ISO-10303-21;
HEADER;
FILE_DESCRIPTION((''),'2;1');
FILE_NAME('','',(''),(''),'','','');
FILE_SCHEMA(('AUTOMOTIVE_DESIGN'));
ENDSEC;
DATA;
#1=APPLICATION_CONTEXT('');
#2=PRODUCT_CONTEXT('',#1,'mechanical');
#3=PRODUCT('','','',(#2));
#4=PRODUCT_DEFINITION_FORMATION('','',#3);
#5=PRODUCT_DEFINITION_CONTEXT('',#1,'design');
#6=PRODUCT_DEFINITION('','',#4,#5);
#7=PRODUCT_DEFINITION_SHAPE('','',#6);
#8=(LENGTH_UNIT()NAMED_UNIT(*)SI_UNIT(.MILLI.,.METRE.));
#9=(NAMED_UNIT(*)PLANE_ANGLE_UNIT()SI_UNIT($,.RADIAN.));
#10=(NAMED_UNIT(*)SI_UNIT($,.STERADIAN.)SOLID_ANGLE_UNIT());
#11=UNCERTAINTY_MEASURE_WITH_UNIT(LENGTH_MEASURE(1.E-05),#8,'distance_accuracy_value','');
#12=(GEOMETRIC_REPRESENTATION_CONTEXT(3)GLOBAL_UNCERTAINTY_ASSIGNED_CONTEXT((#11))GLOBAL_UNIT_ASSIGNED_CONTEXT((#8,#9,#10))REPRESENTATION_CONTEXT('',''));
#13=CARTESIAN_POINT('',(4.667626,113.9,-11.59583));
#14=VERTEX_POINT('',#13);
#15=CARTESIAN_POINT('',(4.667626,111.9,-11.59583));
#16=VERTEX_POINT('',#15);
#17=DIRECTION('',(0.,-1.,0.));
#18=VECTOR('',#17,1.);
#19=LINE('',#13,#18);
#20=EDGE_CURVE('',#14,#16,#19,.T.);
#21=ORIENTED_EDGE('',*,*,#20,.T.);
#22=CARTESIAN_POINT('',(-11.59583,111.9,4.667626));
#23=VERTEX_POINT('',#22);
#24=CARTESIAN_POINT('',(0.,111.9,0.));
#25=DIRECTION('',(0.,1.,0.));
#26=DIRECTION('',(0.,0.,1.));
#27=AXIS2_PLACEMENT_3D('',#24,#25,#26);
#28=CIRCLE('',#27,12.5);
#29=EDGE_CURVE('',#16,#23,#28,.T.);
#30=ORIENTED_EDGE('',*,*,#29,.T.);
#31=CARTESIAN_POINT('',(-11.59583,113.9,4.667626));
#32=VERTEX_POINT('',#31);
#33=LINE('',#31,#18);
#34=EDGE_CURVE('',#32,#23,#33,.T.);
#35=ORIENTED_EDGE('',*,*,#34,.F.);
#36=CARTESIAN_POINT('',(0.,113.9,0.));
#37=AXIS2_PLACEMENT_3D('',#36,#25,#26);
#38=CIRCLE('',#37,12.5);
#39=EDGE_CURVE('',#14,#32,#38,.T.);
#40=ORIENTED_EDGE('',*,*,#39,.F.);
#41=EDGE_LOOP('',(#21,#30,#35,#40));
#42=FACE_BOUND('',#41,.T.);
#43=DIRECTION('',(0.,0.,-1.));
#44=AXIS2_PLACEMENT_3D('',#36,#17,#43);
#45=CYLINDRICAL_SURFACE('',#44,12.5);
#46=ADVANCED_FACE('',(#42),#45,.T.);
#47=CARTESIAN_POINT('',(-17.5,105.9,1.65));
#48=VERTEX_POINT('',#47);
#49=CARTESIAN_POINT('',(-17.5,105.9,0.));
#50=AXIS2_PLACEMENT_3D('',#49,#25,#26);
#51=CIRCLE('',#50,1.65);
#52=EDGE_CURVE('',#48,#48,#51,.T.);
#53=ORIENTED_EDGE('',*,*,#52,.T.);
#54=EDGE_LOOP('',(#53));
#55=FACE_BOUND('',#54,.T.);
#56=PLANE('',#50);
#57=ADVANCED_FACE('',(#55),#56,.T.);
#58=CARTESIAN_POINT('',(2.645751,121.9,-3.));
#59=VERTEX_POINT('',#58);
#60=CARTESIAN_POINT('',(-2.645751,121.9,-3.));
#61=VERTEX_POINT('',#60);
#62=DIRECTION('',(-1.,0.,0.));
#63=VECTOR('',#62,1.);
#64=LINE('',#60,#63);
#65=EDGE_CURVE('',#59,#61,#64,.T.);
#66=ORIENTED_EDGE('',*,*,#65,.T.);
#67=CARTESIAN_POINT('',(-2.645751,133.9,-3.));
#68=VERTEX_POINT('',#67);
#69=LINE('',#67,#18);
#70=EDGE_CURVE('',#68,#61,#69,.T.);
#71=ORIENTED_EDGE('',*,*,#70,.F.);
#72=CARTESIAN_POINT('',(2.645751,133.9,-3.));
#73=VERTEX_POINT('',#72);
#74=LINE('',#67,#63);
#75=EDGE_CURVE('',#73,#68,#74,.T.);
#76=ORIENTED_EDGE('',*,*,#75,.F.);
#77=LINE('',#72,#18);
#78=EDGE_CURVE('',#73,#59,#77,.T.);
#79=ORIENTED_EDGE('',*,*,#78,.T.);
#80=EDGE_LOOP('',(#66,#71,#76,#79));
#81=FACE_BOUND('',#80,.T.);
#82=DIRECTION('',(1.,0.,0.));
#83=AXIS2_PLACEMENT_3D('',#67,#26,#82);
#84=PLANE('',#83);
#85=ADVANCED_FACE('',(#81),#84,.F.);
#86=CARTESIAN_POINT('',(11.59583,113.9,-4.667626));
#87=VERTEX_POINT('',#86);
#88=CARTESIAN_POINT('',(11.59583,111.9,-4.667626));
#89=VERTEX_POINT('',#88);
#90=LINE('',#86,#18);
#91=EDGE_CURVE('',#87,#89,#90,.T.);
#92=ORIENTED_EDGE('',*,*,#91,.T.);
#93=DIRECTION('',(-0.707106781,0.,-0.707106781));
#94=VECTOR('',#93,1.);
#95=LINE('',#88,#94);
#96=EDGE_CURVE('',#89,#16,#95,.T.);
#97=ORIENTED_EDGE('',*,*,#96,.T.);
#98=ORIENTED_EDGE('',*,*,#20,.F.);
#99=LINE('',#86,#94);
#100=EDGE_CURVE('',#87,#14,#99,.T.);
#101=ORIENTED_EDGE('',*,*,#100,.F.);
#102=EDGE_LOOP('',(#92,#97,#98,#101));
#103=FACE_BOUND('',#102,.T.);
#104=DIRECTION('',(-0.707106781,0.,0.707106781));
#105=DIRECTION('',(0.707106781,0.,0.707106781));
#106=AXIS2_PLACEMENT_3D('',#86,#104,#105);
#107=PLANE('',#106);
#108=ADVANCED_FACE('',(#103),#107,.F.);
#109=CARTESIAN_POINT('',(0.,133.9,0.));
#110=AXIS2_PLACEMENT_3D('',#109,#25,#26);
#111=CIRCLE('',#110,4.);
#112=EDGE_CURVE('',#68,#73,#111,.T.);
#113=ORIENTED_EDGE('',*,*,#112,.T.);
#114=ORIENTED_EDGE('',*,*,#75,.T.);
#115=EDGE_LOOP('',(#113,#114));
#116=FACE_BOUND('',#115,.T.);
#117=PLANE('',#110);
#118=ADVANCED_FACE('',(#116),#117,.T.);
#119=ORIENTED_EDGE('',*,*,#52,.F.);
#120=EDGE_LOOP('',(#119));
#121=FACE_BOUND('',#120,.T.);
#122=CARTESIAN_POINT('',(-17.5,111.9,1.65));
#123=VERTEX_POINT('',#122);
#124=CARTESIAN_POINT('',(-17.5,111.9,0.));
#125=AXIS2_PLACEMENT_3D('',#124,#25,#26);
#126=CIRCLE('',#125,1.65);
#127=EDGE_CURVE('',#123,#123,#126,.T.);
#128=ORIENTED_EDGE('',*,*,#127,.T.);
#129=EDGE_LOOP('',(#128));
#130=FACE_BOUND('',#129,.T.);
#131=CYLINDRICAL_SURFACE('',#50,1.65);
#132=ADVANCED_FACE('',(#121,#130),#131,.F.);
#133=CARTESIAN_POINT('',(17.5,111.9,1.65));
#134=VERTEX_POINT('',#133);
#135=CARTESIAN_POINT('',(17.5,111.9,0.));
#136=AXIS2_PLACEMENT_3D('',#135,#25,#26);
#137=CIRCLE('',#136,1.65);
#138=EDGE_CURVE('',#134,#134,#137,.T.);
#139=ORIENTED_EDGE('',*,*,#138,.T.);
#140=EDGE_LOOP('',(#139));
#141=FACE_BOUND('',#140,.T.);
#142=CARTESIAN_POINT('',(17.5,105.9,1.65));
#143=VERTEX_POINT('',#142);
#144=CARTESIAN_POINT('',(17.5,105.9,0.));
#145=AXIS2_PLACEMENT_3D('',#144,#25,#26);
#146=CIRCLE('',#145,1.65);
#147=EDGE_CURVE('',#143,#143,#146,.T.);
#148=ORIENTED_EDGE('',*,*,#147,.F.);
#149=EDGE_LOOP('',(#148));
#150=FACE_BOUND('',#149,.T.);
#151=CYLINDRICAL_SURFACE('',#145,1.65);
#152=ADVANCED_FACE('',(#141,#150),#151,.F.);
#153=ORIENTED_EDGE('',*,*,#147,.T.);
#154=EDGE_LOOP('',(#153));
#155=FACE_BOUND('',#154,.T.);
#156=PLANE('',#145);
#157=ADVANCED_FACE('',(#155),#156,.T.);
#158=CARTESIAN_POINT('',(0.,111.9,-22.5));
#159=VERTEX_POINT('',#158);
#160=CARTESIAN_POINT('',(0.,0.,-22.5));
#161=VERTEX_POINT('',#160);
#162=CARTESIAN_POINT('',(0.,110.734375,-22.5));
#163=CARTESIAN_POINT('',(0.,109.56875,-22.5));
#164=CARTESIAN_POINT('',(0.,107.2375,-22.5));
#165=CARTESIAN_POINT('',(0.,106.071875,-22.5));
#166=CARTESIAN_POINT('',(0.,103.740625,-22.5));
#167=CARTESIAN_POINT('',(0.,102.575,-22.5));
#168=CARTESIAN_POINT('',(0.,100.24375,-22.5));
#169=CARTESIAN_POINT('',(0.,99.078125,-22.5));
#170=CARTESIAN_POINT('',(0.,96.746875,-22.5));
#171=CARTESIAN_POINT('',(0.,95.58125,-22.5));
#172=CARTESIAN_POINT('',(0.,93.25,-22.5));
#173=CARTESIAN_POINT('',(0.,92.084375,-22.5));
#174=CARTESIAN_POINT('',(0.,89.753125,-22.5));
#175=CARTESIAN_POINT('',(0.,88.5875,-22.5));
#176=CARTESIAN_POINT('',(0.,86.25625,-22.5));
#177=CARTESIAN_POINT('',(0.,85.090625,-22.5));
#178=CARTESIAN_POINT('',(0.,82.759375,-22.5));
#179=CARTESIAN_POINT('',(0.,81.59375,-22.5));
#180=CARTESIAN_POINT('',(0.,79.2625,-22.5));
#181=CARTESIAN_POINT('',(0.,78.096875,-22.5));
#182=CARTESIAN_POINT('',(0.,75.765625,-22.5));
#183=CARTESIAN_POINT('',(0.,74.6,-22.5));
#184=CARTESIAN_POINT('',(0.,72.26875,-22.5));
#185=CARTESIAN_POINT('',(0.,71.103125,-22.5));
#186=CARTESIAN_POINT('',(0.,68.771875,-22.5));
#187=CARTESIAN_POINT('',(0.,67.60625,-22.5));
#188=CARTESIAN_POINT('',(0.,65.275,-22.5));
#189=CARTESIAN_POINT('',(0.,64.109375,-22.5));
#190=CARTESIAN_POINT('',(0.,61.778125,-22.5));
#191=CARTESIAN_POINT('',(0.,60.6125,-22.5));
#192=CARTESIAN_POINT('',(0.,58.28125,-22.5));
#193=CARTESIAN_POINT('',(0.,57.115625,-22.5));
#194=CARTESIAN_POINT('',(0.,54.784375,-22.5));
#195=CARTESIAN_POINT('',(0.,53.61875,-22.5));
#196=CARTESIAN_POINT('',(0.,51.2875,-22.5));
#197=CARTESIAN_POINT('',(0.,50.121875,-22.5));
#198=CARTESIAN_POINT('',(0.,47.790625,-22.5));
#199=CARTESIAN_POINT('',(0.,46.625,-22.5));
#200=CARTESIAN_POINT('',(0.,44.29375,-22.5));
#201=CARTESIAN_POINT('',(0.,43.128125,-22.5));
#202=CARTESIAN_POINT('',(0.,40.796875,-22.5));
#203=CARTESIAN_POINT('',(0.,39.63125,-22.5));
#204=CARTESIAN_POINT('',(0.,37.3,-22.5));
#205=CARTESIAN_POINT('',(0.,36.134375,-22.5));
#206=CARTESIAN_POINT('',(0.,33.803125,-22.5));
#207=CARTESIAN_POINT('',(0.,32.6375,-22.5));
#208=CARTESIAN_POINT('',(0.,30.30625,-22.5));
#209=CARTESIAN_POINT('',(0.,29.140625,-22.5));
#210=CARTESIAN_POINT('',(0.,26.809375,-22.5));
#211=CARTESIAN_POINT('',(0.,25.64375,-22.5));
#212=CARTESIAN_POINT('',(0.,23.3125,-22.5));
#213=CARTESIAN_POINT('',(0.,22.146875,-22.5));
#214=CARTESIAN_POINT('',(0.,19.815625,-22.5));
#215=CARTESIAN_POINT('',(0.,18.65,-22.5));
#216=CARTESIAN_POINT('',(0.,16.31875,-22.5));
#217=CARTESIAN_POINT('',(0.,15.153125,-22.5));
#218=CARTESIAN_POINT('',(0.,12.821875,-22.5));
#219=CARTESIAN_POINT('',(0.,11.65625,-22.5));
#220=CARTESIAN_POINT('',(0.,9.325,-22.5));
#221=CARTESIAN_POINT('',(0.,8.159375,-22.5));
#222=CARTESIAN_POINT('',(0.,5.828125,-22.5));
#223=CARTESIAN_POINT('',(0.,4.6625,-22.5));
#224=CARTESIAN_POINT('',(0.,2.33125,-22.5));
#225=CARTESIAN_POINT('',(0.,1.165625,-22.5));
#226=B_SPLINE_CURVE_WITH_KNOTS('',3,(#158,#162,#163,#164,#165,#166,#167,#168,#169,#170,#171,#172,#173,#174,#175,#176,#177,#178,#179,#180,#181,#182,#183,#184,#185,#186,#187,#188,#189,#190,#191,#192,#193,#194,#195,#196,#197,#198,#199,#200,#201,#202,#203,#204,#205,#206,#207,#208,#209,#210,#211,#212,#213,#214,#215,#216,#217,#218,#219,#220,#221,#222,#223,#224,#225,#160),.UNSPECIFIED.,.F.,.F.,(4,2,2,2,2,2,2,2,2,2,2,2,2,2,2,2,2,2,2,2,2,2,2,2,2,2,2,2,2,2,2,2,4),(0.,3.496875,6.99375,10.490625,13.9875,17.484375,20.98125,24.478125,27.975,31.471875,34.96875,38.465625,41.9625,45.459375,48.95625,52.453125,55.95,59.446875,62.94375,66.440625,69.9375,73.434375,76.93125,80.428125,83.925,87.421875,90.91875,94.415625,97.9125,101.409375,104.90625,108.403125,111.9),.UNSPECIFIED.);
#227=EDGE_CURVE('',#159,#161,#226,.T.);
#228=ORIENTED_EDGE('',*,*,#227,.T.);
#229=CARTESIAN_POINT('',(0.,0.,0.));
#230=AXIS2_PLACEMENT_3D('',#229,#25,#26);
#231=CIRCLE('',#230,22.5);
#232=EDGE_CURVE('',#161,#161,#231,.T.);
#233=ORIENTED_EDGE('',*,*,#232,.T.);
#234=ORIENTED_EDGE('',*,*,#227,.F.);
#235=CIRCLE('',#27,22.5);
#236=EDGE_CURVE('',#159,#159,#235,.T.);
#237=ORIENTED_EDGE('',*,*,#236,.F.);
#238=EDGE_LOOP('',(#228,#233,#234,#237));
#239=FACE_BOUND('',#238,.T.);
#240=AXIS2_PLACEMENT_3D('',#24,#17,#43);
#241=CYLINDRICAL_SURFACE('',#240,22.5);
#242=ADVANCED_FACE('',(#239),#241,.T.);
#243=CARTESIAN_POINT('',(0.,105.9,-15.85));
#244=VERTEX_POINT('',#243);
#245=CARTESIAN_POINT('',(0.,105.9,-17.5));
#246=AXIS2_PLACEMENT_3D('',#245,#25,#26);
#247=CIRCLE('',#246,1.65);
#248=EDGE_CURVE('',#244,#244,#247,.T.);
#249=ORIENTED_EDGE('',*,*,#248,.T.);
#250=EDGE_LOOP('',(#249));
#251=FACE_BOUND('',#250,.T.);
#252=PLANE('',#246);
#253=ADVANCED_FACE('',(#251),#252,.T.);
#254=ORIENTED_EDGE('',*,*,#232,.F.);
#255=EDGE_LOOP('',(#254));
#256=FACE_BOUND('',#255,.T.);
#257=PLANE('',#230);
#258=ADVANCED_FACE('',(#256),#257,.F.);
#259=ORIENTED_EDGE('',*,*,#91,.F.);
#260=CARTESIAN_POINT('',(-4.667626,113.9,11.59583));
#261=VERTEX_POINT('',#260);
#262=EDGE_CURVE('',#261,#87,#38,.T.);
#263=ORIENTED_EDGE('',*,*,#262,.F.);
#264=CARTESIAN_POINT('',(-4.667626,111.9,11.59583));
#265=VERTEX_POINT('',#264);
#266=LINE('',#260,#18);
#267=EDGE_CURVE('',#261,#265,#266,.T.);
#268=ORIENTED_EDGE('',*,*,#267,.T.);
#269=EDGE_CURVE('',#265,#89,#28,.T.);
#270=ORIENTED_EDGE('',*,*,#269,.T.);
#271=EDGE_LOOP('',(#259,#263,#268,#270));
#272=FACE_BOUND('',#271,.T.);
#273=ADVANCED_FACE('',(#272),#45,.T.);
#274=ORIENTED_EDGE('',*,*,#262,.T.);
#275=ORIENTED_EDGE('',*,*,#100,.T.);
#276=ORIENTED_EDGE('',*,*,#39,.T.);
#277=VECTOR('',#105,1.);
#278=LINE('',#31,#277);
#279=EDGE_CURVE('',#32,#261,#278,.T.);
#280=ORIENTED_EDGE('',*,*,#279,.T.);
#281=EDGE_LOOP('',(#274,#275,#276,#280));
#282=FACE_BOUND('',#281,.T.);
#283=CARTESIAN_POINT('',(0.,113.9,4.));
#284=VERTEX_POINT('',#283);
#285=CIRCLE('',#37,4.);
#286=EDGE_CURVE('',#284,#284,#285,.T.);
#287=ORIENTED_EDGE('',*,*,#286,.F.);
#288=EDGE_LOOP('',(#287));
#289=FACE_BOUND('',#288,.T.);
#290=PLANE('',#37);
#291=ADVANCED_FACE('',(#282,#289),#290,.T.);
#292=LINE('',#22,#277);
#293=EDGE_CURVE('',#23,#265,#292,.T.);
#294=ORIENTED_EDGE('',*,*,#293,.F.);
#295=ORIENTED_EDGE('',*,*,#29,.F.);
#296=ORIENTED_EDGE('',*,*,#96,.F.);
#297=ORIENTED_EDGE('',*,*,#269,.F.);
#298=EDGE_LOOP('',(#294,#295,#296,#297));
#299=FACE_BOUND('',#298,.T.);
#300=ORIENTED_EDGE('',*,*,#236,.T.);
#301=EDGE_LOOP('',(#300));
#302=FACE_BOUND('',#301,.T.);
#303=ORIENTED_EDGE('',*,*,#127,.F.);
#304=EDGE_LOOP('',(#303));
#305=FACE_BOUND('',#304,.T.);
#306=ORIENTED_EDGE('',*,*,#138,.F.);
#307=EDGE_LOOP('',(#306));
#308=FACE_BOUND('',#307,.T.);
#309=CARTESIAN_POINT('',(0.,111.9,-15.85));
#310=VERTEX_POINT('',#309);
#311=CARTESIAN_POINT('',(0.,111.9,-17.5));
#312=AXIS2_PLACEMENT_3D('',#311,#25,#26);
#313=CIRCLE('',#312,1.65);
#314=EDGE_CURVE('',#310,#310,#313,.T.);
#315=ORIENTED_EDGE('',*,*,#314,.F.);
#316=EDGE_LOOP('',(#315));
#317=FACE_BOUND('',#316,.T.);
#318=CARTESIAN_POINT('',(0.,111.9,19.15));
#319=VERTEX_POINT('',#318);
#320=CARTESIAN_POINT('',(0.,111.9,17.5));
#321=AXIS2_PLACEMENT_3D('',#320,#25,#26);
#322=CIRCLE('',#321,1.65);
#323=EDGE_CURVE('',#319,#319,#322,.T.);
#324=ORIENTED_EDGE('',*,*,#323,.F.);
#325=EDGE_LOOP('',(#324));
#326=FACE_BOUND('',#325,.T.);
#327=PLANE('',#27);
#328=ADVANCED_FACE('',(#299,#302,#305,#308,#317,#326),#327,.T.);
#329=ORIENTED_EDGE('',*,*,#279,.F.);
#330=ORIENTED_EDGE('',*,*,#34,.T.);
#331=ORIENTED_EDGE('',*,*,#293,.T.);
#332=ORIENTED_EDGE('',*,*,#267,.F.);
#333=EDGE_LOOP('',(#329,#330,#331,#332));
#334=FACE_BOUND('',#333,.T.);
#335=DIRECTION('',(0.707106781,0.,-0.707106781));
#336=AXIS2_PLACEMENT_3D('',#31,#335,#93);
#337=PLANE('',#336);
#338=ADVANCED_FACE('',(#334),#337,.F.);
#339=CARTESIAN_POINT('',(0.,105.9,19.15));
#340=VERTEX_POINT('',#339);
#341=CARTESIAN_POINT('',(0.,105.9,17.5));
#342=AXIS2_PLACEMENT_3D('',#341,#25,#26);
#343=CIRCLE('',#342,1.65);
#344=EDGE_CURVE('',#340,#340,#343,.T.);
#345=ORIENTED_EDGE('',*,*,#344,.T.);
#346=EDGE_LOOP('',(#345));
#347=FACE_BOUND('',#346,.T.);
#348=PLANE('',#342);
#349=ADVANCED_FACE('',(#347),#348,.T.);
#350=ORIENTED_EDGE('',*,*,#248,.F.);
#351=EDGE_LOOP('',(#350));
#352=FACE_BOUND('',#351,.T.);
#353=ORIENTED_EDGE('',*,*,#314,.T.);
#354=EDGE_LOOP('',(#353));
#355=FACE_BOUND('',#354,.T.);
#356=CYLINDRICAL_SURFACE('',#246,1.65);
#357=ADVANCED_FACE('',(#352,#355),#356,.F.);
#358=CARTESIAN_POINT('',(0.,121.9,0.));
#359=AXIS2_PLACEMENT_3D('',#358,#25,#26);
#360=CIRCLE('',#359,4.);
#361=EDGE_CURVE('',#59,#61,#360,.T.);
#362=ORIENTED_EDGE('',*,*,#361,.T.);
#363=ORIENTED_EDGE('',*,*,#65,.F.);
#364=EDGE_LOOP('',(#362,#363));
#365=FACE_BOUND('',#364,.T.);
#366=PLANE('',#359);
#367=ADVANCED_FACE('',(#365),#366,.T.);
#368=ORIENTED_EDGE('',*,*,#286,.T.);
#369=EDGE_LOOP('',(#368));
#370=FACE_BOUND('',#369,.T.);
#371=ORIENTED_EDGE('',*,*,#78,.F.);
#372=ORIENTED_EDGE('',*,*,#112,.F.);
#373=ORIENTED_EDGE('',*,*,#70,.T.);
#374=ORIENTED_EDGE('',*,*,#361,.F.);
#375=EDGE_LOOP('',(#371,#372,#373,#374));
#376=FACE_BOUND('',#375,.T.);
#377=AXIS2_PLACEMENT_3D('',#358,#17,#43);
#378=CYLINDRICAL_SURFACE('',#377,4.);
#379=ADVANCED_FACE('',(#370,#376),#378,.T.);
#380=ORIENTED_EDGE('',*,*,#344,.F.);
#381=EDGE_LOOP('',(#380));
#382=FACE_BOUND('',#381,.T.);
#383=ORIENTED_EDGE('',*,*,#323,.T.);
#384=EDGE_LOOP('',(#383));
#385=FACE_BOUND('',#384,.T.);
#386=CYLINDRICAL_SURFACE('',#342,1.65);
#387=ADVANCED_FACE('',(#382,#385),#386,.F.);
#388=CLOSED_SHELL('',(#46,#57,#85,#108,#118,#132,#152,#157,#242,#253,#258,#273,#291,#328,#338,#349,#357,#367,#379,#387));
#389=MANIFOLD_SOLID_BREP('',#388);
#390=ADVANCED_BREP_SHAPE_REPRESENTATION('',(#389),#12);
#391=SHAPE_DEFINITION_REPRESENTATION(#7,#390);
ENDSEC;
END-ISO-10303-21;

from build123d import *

# Parameters (mm, degrees)
SKETCH1_R           = 22.5
BOSS_EXTRUDE1_DEPTH = 111.9
BOSS_EXTRUDE2_DEPTH = 2
SKETCH3_R           = 4
BOSS_EXTRUDE3_DEPTH = 8
BOSS_EXTRUDE4_DEPTH = 12
SKETCH5_R           = 1.65
CUT_EXTRUDE1_DEPTH  = 6


with BuildPart() as part:
    # Sketch1 → Boss-Extrude1 (new body)
    with BuildSketch(Plane(origin=(0, 0, 0), x_dir=(1, 0, 0), z_dir=(0, 1, 0))):
        with Locations(Location((0, 0, 0), (0, 0, 90))):
            Circle(SKETCH1_R)
    extrude(amount=BOSS_EXTRUDE1_DEPTH)

    # Sketch2 → Boss-Extrude2 (add)
    with BuildSketch(Plane(origin=(0, 111.9, 0), x_dir=(1, 0, 0), z_dir=(0, 1, 0))):
        with BuildLine():
            Line((-11.59583, -4.667626), (-4.667626, -11.59583))
            ThreePointArc((-4.667626, -11.59583), (8.838835, -8.838835), (11.59583, 4.667626))
            Line((11.59583, 4.667626), (4.667626, 11.59583))
            ThreePointArc((4.667626, 11.59583), (-8.838835, 8.838835), (-11.59583, -4.667626))
        make_face()
    extrude(amount=BOSS_EXTRUDE2_DEPTH)

    # Sketch3 → Boss-Extrude3 (add)
    with BuildSketch(Plane(origin=(0, 113.9, 0), x_dir=(1, 0, 0), z_dir=(0, 1, 0))):
        with Locations(Location((0, 0, 0), (0, 0, 270))):
            Circle(SKETCH3_R)
    extrude(amount=BOSS_EXTRUDE3_DEPTH)

    # Sketch4 → Boss-Extrude4 (add)
    with BuildSketch(Plane(origin=(0, 121.9, 0), x_dir=(1, 0, 0), z_dir=(0, 1, 0))):
        with BuildLine():
            Line((-2.645751, 3), (2.645751, 3))
            ThreePointArc((2.645751, 3), (0, -4), (-2.645751, 3))
        make_face()
    extrude(amount=BOSS_EXTRUDE4_DEPTH)

    # Sketch5 → Cut-Extrude1 (cut)
    with BuildSketch(Plane(origin=(0, 111.9, 0), x_dir=(1, 0, 0), z_dir=(0, 1, 0))):
        with Locations(Location((-17.5, 0, 0), (0, 0, 270))):
            Circle(SKETCH5_R)
        with Locations(Location((0, 17.5, 0), (0, 0, 270))):
            Circle(SKETCH5_R)
        with Locations(Location((17.5, 0, 0), (0, 0, 270))):
            Circle(SKETCH5_R)
        with Locations(Location((0, -17.5, 0), (0, 0, 270))):
            Circle(SKETCH5_R)
    extrude(amount=-CUT_EXTRUDE1_DEPTH, mode=Mode.SUBTRACT)


solid = part.part
